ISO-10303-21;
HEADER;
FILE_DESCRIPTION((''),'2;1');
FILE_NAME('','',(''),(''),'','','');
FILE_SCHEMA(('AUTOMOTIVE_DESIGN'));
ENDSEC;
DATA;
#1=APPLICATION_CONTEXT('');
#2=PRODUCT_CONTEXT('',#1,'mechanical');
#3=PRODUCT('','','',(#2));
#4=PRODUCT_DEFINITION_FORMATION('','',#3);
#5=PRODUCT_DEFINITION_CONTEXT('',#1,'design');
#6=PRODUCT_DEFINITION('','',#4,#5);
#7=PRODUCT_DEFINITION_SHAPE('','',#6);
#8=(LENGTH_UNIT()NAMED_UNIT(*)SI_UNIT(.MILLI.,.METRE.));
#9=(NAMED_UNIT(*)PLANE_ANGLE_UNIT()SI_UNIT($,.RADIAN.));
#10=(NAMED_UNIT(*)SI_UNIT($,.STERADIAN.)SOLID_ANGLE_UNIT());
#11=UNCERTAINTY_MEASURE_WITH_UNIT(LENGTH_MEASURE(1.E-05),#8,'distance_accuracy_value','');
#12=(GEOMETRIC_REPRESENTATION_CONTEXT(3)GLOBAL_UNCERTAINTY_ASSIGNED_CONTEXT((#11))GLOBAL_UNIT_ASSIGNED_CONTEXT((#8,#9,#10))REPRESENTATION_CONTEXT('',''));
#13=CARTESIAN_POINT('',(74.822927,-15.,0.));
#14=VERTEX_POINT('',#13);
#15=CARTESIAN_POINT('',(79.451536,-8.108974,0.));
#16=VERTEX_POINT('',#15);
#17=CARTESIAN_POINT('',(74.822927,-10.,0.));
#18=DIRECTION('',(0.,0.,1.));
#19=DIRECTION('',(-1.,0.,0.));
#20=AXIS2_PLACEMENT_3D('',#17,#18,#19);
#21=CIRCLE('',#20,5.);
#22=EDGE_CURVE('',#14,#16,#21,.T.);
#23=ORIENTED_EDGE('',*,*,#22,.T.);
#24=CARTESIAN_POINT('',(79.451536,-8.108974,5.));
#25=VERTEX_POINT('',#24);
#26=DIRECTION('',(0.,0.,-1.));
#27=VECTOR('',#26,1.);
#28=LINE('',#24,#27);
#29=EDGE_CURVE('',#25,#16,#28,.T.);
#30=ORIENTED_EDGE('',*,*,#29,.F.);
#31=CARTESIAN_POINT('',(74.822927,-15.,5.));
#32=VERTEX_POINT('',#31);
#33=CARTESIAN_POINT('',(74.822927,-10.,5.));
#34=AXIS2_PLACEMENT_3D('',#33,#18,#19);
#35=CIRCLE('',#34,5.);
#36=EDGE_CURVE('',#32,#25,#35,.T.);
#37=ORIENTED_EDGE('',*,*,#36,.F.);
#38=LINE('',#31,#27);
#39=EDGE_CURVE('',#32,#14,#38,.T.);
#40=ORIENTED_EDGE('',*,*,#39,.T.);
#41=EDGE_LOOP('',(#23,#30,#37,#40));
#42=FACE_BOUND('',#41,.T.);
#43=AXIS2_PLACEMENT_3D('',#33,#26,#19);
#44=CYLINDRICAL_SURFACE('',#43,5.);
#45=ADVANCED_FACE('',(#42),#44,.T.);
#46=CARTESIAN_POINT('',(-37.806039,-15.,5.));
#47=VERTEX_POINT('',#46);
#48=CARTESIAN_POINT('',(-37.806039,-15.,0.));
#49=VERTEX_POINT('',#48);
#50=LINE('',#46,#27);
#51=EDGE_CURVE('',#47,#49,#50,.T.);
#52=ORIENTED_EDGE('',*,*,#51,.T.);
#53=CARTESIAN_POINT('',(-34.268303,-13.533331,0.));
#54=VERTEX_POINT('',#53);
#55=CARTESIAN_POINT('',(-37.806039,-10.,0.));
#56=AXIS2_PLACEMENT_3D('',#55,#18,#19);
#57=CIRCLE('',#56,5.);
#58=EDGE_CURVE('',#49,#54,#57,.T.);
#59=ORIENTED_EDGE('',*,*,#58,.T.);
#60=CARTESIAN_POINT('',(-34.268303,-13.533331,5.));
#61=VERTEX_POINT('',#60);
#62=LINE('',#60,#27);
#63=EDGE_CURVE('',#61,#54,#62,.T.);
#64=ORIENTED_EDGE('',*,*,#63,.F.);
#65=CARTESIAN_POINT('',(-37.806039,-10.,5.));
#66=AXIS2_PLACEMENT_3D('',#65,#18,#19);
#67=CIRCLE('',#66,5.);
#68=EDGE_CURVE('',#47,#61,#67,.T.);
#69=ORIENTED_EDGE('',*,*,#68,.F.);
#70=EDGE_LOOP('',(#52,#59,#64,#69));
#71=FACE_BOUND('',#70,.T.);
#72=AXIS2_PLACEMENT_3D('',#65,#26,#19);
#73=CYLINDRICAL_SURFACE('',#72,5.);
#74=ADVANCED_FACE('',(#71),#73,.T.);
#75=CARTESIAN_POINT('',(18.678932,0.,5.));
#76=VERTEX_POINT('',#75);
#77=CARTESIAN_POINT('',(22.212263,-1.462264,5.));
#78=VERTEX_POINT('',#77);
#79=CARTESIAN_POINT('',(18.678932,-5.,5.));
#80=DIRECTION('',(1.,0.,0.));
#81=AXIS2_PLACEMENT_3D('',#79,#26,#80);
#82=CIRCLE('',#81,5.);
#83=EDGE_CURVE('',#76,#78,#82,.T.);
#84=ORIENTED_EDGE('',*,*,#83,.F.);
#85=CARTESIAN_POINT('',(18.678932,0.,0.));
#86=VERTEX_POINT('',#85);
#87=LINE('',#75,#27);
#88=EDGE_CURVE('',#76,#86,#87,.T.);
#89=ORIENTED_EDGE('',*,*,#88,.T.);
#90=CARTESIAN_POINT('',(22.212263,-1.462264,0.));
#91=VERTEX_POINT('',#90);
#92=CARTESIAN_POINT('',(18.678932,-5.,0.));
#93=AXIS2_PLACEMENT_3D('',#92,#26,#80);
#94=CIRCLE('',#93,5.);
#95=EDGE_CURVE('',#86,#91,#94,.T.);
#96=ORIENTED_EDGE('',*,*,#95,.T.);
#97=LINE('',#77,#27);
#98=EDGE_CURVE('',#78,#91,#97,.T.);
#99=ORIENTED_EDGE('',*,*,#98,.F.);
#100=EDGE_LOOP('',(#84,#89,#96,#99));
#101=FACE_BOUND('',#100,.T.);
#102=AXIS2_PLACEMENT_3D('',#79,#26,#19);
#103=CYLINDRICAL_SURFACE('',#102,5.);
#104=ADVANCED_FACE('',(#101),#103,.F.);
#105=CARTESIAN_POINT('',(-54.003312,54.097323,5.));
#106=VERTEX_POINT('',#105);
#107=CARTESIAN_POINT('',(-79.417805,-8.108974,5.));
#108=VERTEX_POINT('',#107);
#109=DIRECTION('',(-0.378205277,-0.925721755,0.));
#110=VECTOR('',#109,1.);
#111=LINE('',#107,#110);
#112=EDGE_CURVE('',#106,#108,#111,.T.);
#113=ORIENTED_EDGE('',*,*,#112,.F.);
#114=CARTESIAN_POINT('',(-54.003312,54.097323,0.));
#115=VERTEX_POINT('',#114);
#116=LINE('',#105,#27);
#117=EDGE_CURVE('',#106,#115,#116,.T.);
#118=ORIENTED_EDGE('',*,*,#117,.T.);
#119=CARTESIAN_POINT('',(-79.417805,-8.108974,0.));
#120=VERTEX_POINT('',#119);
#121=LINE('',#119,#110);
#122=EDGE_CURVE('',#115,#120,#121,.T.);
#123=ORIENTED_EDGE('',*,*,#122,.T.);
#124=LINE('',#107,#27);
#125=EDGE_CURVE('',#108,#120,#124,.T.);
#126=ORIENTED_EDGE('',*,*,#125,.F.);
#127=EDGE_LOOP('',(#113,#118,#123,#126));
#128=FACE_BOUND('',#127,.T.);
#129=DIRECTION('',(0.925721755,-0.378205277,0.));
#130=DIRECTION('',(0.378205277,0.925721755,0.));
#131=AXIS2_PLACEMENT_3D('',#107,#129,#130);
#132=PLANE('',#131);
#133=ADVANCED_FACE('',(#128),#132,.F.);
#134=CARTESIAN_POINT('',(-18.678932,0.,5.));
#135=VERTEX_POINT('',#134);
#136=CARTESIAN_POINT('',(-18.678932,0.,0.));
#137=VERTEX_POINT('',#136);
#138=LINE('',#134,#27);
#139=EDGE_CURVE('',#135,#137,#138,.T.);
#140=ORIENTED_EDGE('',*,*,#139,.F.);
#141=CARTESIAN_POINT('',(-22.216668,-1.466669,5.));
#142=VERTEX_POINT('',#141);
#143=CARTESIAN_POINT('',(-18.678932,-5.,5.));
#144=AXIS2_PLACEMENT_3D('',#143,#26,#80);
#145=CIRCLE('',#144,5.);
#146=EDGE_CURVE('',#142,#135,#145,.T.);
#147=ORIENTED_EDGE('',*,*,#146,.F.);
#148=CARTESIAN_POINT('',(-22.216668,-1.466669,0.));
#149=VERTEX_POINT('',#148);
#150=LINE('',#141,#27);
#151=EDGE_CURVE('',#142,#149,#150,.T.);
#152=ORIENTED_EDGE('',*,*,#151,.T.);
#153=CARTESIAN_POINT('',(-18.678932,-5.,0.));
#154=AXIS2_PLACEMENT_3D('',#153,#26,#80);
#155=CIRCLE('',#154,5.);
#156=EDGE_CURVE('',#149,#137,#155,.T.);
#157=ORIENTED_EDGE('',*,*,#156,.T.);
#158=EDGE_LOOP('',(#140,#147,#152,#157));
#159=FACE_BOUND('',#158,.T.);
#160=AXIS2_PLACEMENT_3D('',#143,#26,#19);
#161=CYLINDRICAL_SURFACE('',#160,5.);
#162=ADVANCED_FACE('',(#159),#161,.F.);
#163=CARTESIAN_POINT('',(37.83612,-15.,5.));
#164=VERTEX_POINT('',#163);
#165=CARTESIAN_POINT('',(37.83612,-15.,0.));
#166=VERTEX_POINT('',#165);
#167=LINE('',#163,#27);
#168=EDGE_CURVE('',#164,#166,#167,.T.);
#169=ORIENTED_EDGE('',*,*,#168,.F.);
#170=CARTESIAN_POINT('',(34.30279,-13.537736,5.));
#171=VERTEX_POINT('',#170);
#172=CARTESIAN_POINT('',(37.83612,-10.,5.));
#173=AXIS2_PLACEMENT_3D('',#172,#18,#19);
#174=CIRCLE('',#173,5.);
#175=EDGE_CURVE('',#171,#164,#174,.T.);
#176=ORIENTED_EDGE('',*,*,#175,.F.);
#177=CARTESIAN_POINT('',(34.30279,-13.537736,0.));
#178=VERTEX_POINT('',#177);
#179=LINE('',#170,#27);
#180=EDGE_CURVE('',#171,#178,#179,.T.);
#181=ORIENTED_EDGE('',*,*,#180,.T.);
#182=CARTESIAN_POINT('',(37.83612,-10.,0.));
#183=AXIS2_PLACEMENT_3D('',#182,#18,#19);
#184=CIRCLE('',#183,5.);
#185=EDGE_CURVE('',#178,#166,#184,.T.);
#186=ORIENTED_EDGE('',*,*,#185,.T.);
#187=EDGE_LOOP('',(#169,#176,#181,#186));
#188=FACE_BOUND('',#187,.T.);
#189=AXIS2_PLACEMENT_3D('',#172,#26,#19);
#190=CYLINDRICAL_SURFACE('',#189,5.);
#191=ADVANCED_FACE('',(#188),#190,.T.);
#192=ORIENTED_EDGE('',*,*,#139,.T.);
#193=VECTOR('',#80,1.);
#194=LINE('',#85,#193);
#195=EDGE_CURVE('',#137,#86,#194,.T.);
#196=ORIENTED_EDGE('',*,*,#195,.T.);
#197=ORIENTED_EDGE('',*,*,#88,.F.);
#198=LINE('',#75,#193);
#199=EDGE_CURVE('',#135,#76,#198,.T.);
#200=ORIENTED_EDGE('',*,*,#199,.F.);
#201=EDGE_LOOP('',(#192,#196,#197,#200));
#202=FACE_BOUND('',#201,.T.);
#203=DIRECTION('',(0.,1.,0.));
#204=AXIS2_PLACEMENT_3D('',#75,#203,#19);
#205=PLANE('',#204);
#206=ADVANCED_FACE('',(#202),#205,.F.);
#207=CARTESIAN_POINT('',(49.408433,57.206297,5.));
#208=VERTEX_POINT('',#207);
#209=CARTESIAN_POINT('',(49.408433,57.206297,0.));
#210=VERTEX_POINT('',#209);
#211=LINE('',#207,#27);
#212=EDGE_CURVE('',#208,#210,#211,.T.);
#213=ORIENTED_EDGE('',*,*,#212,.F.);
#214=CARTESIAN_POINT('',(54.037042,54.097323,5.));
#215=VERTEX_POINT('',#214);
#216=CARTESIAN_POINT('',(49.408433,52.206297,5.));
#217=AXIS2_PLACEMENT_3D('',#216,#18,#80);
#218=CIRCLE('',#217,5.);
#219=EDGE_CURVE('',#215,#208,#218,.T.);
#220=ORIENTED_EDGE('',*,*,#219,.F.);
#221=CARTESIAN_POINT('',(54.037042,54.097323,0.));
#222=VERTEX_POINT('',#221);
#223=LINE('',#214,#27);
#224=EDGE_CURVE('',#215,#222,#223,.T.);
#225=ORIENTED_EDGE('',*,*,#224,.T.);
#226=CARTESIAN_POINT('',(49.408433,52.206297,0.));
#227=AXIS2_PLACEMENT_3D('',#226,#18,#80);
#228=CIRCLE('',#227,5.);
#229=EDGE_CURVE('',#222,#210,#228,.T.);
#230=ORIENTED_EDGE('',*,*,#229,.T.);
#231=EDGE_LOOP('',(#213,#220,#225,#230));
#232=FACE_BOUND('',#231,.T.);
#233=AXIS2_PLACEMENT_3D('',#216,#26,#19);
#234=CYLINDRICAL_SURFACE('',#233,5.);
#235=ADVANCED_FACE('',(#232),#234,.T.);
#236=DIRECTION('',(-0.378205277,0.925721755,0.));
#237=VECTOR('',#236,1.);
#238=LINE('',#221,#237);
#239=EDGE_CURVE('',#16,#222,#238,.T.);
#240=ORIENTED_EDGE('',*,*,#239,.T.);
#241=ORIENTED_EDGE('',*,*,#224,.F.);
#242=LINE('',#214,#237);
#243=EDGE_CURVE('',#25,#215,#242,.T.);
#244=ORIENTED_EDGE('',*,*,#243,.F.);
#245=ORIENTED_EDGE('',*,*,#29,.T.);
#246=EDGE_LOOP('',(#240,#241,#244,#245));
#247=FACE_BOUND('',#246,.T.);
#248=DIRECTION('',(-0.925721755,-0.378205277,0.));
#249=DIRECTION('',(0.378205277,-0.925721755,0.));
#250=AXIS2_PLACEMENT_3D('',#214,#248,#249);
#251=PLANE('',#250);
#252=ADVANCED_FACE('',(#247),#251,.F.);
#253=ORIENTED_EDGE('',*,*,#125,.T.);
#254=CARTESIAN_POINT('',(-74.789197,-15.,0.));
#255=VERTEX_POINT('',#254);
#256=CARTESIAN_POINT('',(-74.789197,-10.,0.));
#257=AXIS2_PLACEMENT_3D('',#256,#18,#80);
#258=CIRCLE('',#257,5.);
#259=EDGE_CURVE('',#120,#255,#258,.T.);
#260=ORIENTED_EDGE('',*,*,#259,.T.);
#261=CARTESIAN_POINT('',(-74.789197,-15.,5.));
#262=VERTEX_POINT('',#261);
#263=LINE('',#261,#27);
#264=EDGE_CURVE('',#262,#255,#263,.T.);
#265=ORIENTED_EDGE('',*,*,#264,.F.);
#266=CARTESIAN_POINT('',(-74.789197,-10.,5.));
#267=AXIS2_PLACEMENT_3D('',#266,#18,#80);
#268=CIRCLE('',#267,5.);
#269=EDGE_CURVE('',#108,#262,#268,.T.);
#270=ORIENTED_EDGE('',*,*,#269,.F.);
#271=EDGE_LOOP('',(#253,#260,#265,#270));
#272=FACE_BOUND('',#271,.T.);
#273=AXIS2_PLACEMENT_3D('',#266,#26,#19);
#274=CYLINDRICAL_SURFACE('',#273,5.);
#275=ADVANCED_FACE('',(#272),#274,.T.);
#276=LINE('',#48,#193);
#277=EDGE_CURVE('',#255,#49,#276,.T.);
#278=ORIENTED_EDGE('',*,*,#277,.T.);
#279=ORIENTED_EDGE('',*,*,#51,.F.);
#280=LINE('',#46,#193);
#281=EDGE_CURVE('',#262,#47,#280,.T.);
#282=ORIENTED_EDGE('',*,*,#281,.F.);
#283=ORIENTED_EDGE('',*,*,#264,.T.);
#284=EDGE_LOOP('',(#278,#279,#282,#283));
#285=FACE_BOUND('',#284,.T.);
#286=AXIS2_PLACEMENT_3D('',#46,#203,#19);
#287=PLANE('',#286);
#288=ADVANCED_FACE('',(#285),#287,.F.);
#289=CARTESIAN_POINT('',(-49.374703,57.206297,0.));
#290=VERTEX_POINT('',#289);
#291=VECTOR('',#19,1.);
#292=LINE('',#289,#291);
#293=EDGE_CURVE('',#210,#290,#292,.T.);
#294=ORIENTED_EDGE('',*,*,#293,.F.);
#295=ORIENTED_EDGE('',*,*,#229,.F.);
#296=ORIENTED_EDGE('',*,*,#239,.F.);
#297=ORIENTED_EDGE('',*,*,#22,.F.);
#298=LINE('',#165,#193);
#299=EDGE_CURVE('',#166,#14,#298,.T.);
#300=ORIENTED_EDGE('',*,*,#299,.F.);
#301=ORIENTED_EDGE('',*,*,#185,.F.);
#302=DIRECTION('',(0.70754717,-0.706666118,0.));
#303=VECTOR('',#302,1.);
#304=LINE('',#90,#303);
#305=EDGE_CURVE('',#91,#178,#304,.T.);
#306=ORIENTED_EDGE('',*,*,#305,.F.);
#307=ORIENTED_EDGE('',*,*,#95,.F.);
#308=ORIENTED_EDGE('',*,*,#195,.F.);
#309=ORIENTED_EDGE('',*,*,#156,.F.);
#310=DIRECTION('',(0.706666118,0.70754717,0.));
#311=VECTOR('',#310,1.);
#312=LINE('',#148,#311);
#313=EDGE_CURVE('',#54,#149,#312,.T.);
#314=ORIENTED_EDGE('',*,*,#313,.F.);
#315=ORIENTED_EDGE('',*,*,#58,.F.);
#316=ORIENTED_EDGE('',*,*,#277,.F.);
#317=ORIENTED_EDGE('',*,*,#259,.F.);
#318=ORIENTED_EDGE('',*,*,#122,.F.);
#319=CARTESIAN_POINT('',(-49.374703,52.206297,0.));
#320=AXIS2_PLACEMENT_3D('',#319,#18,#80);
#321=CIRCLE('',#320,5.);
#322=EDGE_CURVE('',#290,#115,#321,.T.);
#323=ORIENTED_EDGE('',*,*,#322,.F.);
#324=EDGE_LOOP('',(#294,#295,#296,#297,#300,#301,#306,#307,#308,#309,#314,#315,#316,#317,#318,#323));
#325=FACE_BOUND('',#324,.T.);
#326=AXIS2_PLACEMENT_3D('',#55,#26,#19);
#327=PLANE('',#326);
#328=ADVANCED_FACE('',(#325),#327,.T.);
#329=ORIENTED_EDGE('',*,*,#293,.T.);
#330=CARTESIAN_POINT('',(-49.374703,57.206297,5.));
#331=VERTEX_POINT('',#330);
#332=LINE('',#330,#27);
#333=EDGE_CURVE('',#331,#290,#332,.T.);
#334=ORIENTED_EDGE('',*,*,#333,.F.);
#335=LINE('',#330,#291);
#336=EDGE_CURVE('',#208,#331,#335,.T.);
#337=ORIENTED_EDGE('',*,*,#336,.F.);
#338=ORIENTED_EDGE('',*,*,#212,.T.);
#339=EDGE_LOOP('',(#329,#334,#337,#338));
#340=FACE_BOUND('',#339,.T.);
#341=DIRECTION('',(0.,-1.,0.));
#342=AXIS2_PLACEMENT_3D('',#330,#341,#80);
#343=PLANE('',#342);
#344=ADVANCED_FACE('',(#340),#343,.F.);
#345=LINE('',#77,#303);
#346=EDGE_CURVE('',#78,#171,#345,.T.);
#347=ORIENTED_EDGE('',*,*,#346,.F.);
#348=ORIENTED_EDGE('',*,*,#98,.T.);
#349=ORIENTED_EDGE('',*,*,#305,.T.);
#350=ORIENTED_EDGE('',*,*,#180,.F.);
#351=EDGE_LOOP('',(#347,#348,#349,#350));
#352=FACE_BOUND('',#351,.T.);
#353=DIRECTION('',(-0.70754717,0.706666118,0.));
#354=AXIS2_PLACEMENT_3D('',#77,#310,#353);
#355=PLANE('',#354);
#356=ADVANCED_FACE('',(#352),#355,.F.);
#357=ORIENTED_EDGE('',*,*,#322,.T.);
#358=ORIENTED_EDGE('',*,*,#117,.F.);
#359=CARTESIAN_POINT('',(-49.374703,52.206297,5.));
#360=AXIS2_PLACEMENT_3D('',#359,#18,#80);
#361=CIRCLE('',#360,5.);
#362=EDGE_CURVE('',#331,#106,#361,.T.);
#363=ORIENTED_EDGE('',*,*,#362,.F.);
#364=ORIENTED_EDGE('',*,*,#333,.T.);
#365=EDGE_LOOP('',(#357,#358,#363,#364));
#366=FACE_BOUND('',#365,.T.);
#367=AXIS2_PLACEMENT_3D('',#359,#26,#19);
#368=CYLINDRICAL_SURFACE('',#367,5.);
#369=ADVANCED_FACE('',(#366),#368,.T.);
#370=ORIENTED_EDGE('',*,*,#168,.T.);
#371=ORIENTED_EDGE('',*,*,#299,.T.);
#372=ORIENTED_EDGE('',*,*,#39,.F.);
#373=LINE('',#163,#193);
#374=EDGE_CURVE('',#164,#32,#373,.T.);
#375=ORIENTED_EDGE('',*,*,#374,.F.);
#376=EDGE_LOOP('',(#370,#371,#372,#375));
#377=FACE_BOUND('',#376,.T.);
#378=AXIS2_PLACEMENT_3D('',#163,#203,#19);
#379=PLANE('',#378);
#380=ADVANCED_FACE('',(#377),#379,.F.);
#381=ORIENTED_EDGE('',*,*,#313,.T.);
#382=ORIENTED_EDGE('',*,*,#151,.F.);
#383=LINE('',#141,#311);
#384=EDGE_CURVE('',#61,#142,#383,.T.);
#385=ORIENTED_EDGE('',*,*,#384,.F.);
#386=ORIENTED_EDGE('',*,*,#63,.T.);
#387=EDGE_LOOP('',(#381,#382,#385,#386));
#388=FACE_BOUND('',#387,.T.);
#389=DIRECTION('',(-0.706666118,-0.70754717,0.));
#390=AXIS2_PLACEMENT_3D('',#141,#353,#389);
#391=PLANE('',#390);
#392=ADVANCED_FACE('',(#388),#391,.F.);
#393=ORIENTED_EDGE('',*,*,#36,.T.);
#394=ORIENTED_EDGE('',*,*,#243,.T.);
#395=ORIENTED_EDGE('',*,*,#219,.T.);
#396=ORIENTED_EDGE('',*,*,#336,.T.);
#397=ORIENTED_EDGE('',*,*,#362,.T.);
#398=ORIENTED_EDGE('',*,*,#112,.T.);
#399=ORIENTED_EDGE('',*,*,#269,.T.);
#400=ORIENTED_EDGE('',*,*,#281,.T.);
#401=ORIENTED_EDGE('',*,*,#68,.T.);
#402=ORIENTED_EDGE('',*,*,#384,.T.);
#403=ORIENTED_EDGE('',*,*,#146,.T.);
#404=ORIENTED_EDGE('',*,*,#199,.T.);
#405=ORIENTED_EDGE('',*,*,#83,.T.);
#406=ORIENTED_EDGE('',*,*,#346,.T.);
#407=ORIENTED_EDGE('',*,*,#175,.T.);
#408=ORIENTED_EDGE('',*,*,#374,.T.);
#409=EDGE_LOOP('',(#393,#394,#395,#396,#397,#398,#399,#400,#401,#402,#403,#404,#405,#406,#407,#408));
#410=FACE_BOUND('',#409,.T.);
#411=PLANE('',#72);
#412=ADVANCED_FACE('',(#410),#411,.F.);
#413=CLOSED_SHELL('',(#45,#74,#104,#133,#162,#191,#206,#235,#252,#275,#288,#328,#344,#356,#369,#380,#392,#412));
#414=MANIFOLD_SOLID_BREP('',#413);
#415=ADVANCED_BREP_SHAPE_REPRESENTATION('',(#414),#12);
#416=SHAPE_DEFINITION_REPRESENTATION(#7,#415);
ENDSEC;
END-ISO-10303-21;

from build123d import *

# Parameters (mm, degrees)
BOSS_EXTRU_1_DEPTH = 5


with BuildPart() as part:
    # Esquisse1 → Boss.-Extru.1 (new body)
    with BuildSketch(Plane.XY):
        with BuildLine():
            Line((18.678931953, 0), (-18.678931953, 0))
            ThreePointArc((-18.678931953, 0), (-20.593787959, -0.381198589), (-22.216667802, -1.466669409))
            Line((-22.216667802, -1.466669409), (-34.268303338, -13.533330591))
            ThreePointArc((-34.268303338, -13.533330591), (-35.891183181, -14.618801411), (-37.806039187, -15))
            Line((-37.806039187, -15), (-74.7891965, -15))
            ThreePointArc((-74.7891965, -15), (-78.939806813, -12.787908541), (-79.417805276, -8.108973613))
            Line((-79.417805276, -8.108973613), (-54.003311504, 54.097323294))
            ThreePointArc((-54.003311504, 54.097323294), (-52.162611268, 56.35690722), (-49.374702728, 57.206296907))
            Line((-49.374702728, 57.206296907), (49.408433171, 57.206296907))
            ThreePointArc((49.408433171, 57.206296907), (52.196341712, 56.35690722), (54.037041947, 54.097323294))
            Line((54.037041947, 54.097323294), (79.45153572, -8.108973613))
            ThreePointArc((79.45153572, -8.108973613), (78.973537256, -12.787908541), (74.822926944, -15))
            Line((74.822926944, -15), (37.836120195, -15))
            ThreePointArc((37.836120195, -15), (35.924142063, -14.619993466), (34.302789604, -13.537735849))
            Line((34.302789604, -13.537735849), (22.212262543, -1.462264151))
            ThreePointArc((22.212262543, -1.462264151), (20.590910085, -0.380006534), (18.678931953, 0))
        make_face()
    extrude(amount=BOSS_EXTRU_1_DEPTH)


solid = part.part
